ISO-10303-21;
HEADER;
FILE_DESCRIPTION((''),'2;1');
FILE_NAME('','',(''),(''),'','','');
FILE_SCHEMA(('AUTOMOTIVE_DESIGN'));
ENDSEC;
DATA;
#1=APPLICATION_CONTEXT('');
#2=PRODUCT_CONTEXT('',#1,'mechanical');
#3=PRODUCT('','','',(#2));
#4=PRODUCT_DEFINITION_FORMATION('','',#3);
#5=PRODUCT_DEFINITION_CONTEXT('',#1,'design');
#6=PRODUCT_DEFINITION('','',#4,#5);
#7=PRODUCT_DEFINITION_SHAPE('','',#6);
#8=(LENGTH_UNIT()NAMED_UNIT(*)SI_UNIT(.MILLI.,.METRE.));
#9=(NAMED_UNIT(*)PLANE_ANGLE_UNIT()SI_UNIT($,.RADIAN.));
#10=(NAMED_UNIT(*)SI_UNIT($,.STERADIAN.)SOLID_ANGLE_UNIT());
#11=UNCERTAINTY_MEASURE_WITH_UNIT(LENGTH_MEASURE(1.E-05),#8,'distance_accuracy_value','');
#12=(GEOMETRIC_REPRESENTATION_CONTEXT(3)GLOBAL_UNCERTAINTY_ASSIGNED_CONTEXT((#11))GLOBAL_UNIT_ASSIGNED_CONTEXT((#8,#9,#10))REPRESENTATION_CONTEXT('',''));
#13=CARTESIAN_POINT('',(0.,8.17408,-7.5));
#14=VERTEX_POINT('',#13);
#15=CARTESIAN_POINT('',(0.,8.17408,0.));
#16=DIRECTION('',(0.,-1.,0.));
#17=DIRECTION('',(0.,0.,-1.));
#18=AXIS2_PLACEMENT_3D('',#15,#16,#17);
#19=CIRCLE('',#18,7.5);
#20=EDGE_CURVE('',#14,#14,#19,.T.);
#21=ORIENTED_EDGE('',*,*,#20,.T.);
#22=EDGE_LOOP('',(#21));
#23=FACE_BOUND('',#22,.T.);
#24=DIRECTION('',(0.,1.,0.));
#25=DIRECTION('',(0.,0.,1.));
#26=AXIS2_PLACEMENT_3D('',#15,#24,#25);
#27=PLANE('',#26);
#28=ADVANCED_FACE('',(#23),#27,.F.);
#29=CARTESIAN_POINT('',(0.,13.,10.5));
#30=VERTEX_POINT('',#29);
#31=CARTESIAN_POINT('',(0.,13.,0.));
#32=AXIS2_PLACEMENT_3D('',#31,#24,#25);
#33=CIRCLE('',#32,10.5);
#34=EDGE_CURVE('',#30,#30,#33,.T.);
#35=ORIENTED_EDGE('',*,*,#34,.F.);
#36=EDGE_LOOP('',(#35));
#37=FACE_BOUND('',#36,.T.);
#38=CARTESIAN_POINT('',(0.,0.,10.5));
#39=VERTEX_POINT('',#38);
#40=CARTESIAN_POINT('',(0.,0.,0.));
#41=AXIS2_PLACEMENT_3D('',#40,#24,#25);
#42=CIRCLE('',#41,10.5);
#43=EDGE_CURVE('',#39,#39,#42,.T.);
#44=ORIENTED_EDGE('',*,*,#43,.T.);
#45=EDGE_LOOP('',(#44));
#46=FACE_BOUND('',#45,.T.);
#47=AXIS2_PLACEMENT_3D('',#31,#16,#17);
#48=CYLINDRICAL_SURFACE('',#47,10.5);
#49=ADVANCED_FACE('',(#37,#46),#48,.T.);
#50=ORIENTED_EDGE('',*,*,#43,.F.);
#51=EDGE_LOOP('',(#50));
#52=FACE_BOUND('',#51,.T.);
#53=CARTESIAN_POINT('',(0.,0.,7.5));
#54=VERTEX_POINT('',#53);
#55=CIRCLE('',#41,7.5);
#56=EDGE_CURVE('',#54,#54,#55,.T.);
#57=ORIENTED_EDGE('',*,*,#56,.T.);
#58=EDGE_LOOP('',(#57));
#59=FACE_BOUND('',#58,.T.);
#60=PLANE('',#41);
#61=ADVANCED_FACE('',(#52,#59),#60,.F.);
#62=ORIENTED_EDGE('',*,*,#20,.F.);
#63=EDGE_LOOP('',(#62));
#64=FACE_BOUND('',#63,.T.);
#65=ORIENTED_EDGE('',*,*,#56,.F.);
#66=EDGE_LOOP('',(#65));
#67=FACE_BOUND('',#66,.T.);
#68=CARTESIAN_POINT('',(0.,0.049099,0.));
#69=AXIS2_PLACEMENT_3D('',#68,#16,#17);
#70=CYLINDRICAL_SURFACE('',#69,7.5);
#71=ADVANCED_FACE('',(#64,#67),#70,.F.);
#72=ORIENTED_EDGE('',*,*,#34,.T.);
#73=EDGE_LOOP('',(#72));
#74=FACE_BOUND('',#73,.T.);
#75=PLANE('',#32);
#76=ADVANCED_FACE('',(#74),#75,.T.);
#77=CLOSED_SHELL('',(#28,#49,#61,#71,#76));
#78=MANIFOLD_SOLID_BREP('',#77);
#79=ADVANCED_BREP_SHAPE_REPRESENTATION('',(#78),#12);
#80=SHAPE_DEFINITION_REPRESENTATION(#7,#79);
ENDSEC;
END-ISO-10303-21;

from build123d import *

# Parameters (mm, degrees)
SKETCH1_R           = 10.5
BOSS_EXTRUDE1_DEPTH = 13
SKETCH2_W           = 7.5
SKETCH2_H           = 10


with BuildPart() as part:
    # Sketch1 → Boss-Extrude1 (new body)
    with BuildSketch(Plane(origin=(0, 0, 0), x_dir=(1, 0, 0), z_dir=(0, 1, 0))):
        Circle(SKETCH1_R)
    extrude(amount=BOSS_EXTRUDE1_DEPTH)

    # Sketch2 → Cut-Revolve2 (revolve, cut)
    with BuildSketch(Plane(origin=(0, 0, 0), x_dir=(0, 0, -1), z_dir=(1, 0, 0))):
        with Locations((3.75, 3.17408016)):
            Rectangle(SKETCH2_W, SKETCH2_H)
    revolve(axis=Axis((0, 0.049098768, 0), (0, 1, 0)), mode=Mode.SUBTRACT)


solid = part.part
